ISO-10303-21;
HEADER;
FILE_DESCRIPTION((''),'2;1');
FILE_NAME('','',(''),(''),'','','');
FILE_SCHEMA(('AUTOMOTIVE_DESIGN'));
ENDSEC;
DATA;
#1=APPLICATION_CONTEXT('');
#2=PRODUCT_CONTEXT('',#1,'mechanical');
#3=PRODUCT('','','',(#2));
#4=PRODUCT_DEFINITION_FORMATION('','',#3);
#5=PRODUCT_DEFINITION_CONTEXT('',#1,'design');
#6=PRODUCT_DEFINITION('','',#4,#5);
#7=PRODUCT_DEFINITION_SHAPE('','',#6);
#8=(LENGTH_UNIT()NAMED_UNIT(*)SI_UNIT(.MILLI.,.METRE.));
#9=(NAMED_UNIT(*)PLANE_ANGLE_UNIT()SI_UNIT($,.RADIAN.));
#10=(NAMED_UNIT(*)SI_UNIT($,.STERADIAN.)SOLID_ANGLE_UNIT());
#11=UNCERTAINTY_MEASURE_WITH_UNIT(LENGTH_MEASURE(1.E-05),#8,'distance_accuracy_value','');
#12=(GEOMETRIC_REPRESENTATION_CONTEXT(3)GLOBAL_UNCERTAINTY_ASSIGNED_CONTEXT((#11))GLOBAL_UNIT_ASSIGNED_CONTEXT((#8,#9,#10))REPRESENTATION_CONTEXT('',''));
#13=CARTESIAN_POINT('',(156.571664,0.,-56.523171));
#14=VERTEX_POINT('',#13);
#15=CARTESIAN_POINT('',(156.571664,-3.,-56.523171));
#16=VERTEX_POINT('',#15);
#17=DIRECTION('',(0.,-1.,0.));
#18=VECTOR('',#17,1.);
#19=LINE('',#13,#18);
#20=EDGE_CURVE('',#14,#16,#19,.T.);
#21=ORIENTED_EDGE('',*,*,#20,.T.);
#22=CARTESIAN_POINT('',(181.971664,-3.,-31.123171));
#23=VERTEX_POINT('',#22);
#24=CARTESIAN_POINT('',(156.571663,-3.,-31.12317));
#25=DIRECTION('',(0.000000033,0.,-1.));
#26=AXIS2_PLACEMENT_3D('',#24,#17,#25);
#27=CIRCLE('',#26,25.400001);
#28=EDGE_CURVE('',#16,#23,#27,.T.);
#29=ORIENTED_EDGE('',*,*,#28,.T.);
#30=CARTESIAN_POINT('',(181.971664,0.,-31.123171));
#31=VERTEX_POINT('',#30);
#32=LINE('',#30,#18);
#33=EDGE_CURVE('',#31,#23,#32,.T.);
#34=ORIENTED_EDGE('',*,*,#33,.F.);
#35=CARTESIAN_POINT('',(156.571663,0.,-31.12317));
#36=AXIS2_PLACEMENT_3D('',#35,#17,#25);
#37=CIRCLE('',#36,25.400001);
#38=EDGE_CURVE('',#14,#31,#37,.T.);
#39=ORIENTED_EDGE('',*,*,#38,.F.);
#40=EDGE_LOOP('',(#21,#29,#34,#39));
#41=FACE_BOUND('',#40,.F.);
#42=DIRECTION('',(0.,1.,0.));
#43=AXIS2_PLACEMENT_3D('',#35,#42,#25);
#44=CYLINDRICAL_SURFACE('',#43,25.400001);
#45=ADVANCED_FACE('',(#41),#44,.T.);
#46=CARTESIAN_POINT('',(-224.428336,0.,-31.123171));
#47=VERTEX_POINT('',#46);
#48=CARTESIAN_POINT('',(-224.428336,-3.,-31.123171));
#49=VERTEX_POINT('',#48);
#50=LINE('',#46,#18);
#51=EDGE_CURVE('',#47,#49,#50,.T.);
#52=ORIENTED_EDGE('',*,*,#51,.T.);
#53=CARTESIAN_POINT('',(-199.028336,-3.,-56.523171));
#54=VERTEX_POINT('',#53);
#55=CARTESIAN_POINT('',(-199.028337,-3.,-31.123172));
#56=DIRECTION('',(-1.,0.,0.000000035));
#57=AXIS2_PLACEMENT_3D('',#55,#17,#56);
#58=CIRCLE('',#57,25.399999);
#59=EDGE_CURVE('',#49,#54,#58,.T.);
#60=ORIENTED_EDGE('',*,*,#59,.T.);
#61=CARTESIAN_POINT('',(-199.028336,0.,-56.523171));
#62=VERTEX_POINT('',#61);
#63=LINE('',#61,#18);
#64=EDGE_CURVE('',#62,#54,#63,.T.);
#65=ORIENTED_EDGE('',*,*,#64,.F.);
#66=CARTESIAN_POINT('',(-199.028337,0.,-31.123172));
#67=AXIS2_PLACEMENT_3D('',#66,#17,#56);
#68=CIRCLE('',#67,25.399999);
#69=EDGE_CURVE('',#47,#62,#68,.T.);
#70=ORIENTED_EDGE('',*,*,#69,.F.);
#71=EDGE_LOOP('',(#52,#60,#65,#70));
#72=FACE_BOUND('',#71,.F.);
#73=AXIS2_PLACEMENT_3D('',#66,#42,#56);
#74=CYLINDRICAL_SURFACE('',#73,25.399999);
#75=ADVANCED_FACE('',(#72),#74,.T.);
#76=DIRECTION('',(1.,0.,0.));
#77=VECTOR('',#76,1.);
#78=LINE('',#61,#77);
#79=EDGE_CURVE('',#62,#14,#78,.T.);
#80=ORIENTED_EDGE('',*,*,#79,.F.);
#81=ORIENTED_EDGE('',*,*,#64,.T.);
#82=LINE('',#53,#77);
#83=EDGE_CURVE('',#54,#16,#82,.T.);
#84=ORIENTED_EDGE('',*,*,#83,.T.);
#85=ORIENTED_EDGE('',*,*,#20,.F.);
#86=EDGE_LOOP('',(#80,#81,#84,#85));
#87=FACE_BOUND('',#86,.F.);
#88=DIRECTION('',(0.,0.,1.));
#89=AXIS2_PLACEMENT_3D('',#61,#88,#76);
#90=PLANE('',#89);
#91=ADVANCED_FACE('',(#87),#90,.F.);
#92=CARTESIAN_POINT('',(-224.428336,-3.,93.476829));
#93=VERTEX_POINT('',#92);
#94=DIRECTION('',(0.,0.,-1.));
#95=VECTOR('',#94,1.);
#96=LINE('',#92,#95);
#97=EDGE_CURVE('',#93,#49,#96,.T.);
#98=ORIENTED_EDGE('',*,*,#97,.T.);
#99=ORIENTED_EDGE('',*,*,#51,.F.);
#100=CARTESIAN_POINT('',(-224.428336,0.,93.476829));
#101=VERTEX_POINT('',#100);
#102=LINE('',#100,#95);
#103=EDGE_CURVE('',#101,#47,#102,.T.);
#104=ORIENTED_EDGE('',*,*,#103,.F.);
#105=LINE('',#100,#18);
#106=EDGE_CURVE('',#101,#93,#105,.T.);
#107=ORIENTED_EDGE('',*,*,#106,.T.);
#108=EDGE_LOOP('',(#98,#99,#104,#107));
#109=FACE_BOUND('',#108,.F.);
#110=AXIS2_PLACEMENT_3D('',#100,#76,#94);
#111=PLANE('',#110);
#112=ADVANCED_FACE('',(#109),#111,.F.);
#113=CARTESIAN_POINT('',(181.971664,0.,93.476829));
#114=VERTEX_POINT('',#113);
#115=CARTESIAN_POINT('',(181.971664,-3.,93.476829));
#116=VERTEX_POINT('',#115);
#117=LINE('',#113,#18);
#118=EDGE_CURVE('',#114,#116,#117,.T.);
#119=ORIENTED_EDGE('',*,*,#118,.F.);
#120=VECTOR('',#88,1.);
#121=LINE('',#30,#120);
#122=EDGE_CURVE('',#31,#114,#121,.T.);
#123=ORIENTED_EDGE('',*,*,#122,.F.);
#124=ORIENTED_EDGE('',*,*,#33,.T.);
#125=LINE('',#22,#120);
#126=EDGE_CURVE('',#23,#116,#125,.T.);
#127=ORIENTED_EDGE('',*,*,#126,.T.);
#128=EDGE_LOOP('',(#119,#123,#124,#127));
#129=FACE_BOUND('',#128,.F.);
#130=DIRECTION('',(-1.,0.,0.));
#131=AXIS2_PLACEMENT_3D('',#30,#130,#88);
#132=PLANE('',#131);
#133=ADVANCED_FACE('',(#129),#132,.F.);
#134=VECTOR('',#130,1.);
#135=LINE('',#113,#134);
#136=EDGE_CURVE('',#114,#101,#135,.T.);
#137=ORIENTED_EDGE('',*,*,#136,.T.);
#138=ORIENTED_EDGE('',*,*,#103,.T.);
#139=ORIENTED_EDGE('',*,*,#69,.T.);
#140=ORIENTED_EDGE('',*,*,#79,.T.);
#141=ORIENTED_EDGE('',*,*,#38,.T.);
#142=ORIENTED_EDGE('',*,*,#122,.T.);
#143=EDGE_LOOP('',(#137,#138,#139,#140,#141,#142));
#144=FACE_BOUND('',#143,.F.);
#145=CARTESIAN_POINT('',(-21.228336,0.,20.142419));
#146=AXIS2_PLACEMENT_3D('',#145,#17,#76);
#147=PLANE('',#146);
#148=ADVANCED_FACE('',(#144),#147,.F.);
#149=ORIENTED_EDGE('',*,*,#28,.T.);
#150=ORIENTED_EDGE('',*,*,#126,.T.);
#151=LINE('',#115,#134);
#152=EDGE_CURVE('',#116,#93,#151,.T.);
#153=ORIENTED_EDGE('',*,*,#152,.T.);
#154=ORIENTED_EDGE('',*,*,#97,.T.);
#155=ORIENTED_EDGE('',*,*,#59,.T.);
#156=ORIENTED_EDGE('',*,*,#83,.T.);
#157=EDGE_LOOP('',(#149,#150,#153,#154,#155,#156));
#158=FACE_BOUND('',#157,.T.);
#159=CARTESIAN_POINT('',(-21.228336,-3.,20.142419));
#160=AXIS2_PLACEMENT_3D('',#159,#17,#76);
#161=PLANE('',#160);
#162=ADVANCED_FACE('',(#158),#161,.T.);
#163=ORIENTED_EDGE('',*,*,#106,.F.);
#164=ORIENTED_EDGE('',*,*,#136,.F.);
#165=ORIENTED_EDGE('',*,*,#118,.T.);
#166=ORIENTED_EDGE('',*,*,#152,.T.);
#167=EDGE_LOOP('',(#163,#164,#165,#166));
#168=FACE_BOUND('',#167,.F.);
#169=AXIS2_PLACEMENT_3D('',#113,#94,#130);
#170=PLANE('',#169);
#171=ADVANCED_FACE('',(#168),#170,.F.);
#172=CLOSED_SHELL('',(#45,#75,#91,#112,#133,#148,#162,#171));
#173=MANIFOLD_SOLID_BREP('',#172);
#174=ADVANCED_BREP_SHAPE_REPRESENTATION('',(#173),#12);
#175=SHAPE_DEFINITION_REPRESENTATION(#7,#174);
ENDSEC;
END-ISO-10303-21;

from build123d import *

# Parameters (mm, degrees)
F1_DEPTH = 3


with BuildPart() as f1:
    # F0 (on Front) → F1 (new body)
    with BuildSketch(Plane.XZ):
        with BuildLine():
            Line((181.971664, -31.123171), (181.971664, 93.476829))
            Line((181.971664, 93.476829), (-224.428336, 93.476829))
            Line((-224.428336, 93.476829), (-224.428336, -31.123171))
            ThreePointArc((-224.428336, -31.123171), (-216.988849, -49.083683), (-199.028336, -56.523171))
            Line((-199.028336, -56.523171), (156.571664, -56.523171))
            ThreePointArc((156.571664, -56.523171), (174.532176, -49.083683), (181.971664, -31.123171))
        make_face()
    extrude(amount=F1_DEPTH)


solid = f1.part
